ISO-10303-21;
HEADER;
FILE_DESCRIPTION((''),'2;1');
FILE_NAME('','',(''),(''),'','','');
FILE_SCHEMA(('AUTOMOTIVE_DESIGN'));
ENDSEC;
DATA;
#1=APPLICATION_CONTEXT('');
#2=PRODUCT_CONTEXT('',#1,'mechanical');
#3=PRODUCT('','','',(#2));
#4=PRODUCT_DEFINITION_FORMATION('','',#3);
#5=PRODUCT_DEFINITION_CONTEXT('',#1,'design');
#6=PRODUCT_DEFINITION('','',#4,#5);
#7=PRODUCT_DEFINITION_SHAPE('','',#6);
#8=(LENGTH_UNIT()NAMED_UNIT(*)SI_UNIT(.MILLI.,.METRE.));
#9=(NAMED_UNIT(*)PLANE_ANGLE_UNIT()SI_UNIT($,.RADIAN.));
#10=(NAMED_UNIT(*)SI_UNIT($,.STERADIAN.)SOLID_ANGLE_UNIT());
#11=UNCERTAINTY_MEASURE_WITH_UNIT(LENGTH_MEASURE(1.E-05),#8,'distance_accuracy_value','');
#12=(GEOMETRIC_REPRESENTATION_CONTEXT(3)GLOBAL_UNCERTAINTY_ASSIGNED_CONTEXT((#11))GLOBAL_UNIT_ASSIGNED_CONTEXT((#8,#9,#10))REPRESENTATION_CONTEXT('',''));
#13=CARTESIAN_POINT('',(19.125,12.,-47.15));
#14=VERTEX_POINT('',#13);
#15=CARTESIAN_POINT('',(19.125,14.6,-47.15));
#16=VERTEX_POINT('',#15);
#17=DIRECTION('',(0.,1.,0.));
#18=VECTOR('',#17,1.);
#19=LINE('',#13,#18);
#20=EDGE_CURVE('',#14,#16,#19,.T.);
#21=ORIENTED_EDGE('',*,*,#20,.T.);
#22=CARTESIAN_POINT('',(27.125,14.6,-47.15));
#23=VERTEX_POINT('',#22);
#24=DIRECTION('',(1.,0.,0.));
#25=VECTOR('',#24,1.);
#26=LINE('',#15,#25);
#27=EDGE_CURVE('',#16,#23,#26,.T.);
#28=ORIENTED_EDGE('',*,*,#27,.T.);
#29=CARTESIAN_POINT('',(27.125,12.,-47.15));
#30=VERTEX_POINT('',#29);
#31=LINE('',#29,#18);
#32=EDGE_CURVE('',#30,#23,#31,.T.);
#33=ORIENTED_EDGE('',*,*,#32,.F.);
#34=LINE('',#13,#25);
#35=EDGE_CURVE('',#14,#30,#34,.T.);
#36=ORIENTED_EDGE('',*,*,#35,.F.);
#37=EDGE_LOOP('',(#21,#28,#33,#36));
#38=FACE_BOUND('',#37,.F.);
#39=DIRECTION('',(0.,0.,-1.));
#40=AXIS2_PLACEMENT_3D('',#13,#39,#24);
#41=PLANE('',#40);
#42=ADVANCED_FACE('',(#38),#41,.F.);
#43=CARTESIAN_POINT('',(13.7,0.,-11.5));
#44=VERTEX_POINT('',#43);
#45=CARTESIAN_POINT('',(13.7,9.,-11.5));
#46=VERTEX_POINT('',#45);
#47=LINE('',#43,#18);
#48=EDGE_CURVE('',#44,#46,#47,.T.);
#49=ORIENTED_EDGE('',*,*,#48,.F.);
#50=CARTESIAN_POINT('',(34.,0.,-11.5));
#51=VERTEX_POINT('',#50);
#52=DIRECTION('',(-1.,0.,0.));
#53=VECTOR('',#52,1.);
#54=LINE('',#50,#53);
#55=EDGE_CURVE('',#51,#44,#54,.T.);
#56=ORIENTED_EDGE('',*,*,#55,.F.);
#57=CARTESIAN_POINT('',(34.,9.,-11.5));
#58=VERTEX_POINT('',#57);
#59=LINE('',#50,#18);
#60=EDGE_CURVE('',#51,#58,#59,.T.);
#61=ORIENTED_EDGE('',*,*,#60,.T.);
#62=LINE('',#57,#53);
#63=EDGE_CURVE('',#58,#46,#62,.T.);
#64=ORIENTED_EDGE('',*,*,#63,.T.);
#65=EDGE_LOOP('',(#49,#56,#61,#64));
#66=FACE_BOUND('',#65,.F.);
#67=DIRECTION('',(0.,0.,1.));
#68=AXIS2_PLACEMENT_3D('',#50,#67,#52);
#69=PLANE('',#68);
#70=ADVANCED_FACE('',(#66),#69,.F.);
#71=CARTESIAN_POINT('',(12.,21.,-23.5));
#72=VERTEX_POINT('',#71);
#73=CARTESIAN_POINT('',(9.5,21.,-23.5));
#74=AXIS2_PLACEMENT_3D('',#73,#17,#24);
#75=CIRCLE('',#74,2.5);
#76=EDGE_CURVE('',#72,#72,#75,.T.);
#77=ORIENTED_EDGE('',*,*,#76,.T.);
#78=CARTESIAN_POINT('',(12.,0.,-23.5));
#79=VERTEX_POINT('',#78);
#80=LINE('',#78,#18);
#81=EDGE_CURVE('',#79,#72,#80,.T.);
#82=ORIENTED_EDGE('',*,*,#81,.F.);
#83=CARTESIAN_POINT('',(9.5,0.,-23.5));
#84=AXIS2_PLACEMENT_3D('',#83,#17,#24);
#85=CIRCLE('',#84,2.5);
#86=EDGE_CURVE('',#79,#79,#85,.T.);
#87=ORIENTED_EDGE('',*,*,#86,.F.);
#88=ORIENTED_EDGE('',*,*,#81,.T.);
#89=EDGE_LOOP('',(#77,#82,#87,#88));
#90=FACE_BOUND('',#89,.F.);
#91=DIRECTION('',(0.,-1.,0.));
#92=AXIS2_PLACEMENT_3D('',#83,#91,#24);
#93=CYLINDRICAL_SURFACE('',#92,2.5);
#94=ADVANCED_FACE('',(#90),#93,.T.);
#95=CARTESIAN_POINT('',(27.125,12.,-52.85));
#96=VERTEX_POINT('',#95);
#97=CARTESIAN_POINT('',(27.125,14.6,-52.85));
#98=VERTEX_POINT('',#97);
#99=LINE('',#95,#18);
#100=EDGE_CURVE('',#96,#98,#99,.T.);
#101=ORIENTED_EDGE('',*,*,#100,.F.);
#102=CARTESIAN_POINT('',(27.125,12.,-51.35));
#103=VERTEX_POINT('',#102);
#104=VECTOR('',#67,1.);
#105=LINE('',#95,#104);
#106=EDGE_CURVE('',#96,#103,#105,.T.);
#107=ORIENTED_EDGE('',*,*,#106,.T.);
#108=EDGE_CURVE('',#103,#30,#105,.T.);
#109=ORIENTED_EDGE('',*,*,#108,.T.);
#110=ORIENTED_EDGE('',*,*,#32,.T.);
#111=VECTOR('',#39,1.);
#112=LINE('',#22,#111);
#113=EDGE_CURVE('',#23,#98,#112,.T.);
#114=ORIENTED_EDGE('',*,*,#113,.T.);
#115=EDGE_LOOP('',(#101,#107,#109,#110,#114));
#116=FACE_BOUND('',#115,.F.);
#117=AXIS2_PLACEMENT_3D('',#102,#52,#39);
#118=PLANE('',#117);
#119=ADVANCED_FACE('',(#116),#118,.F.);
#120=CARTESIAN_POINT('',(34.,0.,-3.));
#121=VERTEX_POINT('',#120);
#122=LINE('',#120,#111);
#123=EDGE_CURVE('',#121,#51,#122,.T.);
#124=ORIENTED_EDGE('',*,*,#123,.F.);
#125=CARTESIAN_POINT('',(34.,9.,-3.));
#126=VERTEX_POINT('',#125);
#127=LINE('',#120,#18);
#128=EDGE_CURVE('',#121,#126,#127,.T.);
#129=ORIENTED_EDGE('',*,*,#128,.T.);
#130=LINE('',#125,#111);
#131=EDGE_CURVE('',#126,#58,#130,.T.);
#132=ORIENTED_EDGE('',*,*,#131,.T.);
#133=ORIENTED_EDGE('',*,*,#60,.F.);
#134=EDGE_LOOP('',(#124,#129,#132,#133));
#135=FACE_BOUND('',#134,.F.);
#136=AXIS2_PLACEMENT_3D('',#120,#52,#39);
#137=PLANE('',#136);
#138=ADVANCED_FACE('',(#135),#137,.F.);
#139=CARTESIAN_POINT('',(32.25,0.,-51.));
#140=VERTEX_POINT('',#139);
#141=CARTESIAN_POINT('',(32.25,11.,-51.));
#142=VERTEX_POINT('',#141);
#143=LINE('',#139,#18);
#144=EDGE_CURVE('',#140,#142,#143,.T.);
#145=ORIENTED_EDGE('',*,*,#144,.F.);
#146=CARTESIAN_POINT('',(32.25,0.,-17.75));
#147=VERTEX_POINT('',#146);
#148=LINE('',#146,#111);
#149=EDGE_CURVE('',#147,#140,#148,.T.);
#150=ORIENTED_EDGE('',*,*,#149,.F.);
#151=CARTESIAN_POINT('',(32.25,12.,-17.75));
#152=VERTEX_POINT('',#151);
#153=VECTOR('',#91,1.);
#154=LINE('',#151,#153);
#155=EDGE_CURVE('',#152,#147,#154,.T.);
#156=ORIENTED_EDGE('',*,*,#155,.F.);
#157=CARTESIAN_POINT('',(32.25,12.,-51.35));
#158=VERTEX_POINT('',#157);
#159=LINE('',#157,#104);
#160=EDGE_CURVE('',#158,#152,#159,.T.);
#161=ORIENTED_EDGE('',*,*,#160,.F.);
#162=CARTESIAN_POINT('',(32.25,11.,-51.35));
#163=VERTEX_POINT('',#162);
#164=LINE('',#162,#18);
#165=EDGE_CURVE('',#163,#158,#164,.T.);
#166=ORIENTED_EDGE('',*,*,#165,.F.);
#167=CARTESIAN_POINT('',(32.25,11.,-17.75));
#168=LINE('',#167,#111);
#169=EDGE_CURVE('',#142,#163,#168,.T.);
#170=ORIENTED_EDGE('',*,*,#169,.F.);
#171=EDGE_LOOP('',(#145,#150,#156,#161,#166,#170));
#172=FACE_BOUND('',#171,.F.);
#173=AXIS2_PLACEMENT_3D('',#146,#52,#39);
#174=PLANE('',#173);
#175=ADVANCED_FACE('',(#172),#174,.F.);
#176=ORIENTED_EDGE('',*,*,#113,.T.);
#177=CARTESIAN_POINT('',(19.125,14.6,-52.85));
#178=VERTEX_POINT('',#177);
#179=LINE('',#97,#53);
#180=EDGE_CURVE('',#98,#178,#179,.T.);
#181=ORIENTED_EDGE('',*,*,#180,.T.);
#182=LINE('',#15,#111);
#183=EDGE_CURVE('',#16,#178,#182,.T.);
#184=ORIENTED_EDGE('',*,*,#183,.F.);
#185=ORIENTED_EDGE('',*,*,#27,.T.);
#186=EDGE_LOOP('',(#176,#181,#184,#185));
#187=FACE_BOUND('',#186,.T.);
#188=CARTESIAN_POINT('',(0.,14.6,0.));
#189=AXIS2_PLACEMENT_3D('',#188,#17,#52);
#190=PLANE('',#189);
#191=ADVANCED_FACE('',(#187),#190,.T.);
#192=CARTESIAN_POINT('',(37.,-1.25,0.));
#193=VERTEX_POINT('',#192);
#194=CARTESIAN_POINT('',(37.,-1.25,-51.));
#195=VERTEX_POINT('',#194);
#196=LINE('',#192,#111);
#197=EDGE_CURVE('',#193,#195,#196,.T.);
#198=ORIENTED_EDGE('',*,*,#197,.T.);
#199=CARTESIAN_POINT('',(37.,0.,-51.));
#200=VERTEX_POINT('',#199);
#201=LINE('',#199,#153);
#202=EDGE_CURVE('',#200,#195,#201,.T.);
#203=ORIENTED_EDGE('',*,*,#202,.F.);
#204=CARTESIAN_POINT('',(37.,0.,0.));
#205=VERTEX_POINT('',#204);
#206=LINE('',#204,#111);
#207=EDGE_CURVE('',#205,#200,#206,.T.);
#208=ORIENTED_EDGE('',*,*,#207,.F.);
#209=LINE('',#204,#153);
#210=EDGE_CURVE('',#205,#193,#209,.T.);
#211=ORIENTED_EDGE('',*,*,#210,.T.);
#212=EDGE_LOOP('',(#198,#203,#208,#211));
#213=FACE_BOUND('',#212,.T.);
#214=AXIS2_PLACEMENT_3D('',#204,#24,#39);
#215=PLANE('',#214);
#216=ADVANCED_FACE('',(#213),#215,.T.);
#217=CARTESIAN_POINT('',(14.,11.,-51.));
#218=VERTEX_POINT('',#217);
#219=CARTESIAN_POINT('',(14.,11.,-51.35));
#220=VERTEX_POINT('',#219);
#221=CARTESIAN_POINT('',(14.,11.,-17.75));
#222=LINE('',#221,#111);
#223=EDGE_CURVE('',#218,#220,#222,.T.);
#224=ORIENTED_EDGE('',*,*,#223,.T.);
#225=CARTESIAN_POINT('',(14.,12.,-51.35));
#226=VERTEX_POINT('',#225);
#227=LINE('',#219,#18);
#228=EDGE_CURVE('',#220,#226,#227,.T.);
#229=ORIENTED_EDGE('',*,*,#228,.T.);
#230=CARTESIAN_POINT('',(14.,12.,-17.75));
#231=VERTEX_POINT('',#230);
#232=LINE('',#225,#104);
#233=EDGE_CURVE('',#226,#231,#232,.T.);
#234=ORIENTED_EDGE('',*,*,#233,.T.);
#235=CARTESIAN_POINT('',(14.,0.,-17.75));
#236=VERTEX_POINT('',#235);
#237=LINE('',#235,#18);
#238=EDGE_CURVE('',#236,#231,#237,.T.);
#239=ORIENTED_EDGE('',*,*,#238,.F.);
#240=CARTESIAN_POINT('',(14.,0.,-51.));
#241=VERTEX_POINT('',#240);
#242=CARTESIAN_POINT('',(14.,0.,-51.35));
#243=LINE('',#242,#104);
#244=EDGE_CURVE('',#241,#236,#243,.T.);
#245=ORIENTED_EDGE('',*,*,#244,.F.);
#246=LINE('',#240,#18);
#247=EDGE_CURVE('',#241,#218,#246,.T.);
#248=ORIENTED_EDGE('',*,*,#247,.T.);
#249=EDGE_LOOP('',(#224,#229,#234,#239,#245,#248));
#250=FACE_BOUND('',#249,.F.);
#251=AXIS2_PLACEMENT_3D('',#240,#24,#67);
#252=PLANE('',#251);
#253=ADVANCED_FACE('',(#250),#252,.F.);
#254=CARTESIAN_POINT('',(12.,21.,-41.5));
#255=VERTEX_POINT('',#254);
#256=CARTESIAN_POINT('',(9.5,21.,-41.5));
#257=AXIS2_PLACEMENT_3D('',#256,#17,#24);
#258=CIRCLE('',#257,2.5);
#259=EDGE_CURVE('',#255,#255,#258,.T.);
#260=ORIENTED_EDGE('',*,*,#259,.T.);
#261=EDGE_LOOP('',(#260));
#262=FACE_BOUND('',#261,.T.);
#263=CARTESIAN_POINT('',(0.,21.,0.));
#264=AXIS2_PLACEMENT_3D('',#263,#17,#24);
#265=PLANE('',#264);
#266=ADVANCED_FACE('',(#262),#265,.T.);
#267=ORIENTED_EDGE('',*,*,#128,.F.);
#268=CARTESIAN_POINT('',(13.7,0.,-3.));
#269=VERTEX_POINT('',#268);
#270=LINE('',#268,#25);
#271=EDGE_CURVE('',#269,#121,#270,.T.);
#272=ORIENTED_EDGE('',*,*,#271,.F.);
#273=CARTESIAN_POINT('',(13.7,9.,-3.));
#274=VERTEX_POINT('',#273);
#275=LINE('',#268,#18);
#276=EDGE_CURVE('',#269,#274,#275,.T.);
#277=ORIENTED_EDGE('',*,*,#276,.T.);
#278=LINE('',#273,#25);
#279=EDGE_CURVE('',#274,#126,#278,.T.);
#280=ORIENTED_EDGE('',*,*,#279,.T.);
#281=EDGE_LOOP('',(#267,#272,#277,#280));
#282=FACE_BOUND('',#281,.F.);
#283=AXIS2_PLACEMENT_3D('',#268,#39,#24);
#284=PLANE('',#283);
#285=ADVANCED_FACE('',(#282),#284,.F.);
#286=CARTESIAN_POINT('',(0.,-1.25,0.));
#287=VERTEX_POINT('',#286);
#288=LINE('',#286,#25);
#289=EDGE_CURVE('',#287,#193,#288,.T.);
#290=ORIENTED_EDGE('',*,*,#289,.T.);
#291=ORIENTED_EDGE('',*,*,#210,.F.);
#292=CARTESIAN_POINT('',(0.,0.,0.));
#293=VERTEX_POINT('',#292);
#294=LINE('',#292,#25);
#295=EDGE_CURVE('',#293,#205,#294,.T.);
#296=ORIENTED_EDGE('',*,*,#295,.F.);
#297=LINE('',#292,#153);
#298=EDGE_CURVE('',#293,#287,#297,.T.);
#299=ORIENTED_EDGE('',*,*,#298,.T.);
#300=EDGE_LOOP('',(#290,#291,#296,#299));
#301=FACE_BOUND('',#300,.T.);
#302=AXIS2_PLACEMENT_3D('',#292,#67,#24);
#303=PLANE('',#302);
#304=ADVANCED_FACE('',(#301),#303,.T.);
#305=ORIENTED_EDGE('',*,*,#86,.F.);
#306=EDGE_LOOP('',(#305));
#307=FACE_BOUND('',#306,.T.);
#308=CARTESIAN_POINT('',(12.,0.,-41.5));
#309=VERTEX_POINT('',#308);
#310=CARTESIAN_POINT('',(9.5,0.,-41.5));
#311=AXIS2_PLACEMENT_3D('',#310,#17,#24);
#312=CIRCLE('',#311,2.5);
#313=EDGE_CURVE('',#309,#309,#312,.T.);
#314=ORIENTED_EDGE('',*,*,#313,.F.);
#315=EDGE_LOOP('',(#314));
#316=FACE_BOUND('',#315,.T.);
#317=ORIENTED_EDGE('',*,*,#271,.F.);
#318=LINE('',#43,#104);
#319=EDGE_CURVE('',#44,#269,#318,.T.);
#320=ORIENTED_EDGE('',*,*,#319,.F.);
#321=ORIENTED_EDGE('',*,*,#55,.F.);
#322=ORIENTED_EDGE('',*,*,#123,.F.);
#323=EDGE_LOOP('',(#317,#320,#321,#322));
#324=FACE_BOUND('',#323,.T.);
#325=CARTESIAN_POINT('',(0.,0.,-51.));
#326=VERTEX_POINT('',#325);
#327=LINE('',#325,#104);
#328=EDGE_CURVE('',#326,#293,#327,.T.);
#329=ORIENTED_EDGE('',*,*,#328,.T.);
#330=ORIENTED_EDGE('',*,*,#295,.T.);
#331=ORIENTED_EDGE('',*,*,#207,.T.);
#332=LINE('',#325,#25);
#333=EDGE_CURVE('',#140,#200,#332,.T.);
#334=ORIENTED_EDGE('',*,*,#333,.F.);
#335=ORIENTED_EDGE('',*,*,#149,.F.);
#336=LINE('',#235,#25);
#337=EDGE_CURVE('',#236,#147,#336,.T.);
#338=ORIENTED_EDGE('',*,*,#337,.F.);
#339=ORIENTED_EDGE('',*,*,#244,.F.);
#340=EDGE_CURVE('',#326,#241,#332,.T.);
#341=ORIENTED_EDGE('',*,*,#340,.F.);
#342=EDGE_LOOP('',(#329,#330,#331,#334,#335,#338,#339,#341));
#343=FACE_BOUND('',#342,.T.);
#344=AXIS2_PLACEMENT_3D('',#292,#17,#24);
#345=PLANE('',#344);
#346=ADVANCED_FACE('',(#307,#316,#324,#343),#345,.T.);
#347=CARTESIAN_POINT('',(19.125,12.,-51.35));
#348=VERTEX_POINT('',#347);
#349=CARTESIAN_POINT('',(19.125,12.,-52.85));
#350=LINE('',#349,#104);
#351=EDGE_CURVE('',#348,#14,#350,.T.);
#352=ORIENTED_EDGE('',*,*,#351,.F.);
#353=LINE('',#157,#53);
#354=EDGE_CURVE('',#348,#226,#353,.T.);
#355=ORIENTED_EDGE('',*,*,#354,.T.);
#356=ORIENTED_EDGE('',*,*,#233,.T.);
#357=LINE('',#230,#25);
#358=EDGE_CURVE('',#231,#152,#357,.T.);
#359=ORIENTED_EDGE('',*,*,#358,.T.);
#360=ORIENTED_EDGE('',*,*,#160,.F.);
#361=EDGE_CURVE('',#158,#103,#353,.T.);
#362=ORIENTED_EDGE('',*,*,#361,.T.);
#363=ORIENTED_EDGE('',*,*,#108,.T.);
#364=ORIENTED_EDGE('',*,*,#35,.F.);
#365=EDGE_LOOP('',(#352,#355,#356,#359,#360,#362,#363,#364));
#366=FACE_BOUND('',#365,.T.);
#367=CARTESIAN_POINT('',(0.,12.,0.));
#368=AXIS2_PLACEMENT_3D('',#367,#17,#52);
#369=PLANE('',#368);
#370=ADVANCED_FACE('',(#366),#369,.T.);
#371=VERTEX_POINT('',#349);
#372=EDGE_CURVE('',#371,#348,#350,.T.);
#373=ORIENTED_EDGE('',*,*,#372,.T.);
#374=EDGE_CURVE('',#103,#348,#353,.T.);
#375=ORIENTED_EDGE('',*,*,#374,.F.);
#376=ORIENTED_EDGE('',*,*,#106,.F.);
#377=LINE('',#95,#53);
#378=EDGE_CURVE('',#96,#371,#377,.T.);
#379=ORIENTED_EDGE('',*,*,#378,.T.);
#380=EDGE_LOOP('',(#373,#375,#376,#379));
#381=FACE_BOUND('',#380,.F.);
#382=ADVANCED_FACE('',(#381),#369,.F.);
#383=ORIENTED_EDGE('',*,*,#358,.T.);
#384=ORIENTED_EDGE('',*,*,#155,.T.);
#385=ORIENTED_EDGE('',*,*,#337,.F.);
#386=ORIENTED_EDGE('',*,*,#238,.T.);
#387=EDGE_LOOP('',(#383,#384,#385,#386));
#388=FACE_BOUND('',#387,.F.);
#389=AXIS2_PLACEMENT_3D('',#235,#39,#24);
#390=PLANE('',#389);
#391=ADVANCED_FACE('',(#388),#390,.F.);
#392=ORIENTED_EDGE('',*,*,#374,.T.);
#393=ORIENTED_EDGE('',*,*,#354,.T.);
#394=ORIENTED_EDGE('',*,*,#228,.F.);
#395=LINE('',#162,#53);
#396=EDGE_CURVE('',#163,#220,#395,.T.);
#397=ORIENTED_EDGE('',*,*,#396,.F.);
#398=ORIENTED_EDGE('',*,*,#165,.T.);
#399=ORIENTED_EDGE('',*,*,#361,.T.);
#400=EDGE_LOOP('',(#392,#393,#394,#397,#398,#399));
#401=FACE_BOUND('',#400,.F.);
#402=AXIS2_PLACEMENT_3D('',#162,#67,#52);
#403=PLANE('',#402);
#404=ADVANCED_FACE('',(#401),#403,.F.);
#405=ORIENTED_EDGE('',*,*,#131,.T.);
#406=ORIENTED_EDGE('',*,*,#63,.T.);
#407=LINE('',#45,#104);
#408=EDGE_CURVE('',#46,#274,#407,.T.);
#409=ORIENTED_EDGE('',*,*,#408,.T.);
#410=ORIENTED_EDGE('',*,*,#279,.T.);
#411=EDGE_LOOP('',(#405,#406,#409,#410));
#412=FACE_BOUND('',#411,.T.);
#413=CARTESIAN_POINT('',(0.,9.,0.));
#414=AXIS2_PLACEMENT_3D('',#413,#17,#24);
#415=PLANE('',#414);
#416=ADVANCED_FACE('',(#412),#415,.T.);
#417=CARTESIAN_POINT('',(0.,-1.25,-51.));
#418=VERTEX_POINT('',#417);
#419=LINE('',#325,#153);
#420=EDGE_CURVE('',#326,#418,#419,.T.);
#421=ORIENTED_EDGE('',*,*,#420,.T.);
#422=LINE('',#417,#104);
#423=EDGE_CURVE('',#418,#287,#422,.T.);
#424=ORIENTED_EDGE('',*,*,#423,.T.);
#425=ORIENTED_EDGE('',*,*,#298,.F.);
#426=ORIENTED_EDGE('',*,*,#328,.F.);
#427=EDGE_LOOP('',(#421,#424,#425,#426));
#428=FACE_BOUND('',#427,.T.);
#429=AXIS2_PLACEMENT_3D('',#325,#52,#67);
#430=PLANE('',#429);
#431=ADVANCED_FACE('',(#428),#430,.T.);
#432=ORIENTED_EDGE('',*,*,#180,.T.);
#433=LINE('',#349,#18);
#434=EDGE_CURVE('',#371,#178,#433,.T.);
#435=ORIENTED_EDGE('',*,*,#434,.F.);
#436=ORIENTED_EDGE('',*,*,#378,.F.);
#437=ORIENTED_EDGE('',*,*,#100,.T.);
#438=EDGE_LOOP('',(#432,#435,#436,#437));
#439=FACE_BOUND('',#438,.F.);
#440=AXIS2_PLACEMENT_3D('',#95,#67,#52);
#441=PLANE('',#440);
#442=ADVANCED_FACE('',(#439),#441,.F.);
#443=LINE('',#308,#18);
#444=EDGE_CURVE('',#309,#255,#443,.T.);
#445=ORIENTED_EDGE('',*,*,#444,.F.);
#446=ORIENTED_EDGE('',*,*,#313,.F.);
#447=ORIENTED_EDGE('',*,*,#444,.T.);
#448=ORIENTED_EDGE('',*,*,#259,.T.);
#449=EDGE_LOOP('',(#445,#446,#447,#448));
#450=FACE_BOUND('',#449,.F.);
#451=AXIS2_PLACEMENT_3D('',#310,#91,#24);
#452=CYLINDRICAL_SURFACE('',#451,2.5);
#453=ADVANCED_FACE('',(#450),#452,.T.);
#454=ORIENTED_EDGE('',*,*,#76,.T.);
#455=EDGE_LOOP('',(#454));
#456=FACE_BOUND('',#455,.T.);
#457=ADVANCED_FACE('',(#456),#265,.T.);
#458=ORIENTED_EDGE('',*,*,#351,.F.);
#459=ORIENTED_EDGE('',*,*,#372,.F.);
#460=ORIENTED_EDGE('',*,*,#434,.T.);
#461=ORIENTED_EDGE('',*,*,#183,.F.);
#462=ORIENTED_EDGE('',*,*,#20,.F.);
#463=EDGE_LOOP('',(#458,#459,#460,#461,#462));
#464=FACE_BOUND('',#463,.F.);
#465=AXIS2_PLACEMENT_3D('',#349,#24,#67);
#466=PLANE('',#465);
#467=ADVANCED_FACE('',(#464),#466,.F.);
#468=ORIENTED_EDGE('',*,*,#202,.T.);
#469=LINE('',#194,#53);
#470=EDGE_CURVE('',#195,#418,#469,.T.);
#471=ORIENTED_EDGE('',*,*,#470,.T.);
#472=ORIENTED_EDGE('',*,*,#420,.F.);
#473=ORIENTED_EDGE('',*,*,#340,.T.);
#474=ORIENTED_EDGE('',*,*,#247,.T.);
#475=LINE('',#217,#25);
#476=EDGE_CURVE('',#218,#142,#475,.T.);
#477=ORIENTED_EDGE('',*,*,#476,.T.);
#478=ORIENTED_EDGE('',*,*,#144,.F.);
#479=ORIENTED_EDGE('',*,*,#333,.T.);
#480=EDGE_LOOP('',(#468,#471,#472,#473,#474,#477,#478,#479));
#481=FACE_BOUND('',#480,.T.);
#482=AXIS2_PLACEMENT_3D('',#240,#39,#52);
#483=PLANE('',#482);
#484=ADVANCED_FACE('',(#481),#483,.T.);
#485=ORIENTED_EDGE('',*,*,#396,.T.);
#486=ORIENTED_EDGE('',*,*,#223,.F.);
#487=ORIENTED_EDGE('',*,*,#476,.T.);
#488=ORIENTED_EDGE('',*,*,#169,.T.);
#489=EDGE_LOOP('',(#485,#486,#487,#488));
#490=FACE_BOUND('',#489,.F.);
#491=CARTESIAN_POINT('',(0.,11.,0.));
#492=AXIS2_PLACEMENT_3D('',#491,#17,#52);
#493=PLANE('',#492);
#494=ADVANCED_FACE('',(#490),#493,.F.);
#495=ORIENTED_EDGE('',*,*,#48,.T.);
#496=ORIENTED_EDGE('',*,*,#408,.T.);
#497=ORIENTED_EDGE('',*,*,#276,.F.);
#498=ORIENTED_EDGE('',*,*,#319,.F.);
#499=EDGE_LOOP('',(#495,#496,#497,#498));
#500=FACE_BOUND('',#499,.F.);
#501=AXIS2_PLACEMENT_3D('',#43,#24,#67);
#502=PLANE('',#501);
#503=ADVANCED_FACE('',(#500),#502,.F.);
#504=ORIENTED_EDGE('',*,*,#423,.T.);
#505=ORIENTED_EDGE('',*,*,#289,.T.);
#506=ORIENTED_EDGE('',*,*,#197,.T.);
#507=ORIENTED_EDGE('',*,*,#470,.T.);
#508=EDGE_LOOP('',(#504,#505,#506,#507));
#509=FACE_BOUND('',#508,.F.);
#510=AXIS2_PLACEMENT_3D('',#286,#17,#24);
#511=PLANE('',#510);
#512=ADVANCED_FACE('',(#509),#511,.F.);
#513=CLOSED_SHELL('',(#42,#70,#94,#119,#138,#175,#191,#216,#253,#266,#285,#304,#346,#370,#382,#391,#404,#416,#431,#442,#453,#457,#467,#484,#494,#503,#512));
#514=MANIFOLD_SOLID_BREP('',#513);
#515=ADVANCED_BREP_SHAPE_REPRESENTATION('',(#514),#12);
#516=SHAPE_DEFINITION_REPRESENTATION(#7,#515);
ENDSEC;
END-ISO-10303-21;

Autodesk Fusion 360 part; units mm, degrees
sketch "Sketch1" plane through (0, 0, 0) normal (0, 1, 0) x (1, 0, 0)
  line L0 (0, 0) -> (37, 0)
  line L1 (37, 0) -> (37, 51)
  line L2 (37, 51) -> (0, 51)
  line L3 (0, 51) -> (0, 0)
  line L4 (13.7, 3) -> (34, 3)
  line L5 (34, 3) -> (34, 11.5)
  line L6 (34, 11.5) -> (13.7, 11.5)
  line L7 (13.7, 11.5) -> (13.7, 3)
  line L8 (14, 17.75) -> (32.25, 17.75)
  line L9 (32.25, 17.75) -> (32.25, 51.35)
  line L10 (32.25, 51.35) -> (14, 51.35)
  line L11 (14, 51.35) -> (14, 17.75)
  line L12 (19.125, 47.15) -> (27.125, 47.15)
  line L13 (27.125, 47.15) -> (27.125, 52.85)
  line L14 (27.125, 52.85) -> (19.125, 52.85)
  line L15 (19.125, 52.85) -> (19.125, 47.15)
  circle A0 centre (9.5, 41.5) radius 2.5
  circle A1 centre (9.5, 23.5) radius 2.5
  dimension "d1" = 37
  dimension "d2" = 51
  dimension "d3" = 3
  dimension "d4" = 3
  dimension "d5" = 20.3
  dimension "d6" = 8.5
  dimension "d7" = 6.25
  dimension "d8" = 18.25
  dimension "d9" = 4.75
  dimension "d10" = 33.6
  dimension "d11" = 5.7
  dimension "d12" = 8
  dimension "d13" = 5.125
  dimension "d15" = 1.5
  dimension "d16" = 9.5
  dimension "d17" = 9.5
  dimension "d18" = 5
  dimension "d19" = 27.5
extrude "Extrude1" add sketch "Sketch1" against normal blind 1.25 contours L0 L1 L2 L3 L8 L9 L11 | L2 L8 L9 L11 L12 L13 L15 | L2 L12 L13 L15 | L4 L5 L6 L7 | A0 | A1
extrude "Extrude2" add sketch "Sketch1" along normal blind 9 contours L4 L5 L6 L7
extrude "Extrude3" add sketch "Sketch1" along normal blind 11 contours L2 L8 L9 L11 L12 L13 L15 | L2 L12 L13 L15
sketch "Sketch3" plane through (0, 11, 0) normal (0, 1, 0) x (-1, 0, 0)
  line L0 (-32.25, -51) -> (-14, -51)
  line L1 (-14, -51) -> (-14, -17.75)
  line L2 (-14, -17.75) -> (-32.25, -17.75)
  line L3 (-32.25, -17.75) -> (-32.25, -51)
  line L4 (-14, -17.75) -> (-32.25, -17.75)
  line L5 (-32.25, -17.75) -> (-32.25, -51.35)
  line L6 (-32.25, -51.35) -> (-14, -51.35)
  line L7 (-14, -51.35) -> (-14, -17.75)
  dimension "d26" = 33.6
  dimension "d27" = 18.25
extrude "Extrude4" add sketch "Sketch3" along normal blind 1
sketch "Sketch4" plane through (0, 12, 0) normal (0, 1, 0) x (-1, 0, 0)
  line L0 (-14, -51.35) -> (-14, -17.75)
  line L1 (-14, -17.75) -> (-32.25, -17.75)
  line L2 (-32.25, -17.75) -> (-32.25, -51.35)
  line L3 (-32.25, -51.35) -> (-14, -51.35)
  line L4 (-19.125, -47.15) -> (-27.125, -47.15)
  line L5 (-27.125, -47.15) -> (-27.125, -52.85)
  line L6 (-27.125, -52.85) -> (-19.125, -52.85)
  line L7 (-19.125, -52.85) -> (-19.125, -47.15)
  line L8 (-32.25, -51.35) -> (-14, -51.35)
  dimension "d30" = 5.125
  dimension "d31" = 8
  dimension "d32" = 5.7
  dimension "d33" = 1.5
extrude "Extrude5" add sketch "Sketch4" along normal blind 2.6 contours L3 L5 L6 L7 L8 | L3 L4 L5 L7 L8
extrude "Extrude6" add sketch "Sketch1" along normal blind 21 contours A0 | A1
sketch "Sketch6" plane through (0, -1.25, 0) normal (0, -1, 0) x (1, 0, 0)
  line L0 (0, 0) -> (0, -51)
  line L1 (0, -51) -> (37, -51)
  line L2 (37, -51) -> (37, 0)
  line L3 (37, 0) -> (0, 0)
  line L4 (4, -4) -> (33, -4)
  line L5 (33, -4) -> (33, -49)
  line L6 (33, -49) -> (4, -49)
  line L7 (4, -49) -> (4, -4)
  dimension "d38" = 2
  dimension "d39" = 4
  dimension "d41" = 4
  dimension "d42" = 4
  dimension "d45" = 29
  dimension "d46" = 45
extrude "Extrude7" [suppressed]
